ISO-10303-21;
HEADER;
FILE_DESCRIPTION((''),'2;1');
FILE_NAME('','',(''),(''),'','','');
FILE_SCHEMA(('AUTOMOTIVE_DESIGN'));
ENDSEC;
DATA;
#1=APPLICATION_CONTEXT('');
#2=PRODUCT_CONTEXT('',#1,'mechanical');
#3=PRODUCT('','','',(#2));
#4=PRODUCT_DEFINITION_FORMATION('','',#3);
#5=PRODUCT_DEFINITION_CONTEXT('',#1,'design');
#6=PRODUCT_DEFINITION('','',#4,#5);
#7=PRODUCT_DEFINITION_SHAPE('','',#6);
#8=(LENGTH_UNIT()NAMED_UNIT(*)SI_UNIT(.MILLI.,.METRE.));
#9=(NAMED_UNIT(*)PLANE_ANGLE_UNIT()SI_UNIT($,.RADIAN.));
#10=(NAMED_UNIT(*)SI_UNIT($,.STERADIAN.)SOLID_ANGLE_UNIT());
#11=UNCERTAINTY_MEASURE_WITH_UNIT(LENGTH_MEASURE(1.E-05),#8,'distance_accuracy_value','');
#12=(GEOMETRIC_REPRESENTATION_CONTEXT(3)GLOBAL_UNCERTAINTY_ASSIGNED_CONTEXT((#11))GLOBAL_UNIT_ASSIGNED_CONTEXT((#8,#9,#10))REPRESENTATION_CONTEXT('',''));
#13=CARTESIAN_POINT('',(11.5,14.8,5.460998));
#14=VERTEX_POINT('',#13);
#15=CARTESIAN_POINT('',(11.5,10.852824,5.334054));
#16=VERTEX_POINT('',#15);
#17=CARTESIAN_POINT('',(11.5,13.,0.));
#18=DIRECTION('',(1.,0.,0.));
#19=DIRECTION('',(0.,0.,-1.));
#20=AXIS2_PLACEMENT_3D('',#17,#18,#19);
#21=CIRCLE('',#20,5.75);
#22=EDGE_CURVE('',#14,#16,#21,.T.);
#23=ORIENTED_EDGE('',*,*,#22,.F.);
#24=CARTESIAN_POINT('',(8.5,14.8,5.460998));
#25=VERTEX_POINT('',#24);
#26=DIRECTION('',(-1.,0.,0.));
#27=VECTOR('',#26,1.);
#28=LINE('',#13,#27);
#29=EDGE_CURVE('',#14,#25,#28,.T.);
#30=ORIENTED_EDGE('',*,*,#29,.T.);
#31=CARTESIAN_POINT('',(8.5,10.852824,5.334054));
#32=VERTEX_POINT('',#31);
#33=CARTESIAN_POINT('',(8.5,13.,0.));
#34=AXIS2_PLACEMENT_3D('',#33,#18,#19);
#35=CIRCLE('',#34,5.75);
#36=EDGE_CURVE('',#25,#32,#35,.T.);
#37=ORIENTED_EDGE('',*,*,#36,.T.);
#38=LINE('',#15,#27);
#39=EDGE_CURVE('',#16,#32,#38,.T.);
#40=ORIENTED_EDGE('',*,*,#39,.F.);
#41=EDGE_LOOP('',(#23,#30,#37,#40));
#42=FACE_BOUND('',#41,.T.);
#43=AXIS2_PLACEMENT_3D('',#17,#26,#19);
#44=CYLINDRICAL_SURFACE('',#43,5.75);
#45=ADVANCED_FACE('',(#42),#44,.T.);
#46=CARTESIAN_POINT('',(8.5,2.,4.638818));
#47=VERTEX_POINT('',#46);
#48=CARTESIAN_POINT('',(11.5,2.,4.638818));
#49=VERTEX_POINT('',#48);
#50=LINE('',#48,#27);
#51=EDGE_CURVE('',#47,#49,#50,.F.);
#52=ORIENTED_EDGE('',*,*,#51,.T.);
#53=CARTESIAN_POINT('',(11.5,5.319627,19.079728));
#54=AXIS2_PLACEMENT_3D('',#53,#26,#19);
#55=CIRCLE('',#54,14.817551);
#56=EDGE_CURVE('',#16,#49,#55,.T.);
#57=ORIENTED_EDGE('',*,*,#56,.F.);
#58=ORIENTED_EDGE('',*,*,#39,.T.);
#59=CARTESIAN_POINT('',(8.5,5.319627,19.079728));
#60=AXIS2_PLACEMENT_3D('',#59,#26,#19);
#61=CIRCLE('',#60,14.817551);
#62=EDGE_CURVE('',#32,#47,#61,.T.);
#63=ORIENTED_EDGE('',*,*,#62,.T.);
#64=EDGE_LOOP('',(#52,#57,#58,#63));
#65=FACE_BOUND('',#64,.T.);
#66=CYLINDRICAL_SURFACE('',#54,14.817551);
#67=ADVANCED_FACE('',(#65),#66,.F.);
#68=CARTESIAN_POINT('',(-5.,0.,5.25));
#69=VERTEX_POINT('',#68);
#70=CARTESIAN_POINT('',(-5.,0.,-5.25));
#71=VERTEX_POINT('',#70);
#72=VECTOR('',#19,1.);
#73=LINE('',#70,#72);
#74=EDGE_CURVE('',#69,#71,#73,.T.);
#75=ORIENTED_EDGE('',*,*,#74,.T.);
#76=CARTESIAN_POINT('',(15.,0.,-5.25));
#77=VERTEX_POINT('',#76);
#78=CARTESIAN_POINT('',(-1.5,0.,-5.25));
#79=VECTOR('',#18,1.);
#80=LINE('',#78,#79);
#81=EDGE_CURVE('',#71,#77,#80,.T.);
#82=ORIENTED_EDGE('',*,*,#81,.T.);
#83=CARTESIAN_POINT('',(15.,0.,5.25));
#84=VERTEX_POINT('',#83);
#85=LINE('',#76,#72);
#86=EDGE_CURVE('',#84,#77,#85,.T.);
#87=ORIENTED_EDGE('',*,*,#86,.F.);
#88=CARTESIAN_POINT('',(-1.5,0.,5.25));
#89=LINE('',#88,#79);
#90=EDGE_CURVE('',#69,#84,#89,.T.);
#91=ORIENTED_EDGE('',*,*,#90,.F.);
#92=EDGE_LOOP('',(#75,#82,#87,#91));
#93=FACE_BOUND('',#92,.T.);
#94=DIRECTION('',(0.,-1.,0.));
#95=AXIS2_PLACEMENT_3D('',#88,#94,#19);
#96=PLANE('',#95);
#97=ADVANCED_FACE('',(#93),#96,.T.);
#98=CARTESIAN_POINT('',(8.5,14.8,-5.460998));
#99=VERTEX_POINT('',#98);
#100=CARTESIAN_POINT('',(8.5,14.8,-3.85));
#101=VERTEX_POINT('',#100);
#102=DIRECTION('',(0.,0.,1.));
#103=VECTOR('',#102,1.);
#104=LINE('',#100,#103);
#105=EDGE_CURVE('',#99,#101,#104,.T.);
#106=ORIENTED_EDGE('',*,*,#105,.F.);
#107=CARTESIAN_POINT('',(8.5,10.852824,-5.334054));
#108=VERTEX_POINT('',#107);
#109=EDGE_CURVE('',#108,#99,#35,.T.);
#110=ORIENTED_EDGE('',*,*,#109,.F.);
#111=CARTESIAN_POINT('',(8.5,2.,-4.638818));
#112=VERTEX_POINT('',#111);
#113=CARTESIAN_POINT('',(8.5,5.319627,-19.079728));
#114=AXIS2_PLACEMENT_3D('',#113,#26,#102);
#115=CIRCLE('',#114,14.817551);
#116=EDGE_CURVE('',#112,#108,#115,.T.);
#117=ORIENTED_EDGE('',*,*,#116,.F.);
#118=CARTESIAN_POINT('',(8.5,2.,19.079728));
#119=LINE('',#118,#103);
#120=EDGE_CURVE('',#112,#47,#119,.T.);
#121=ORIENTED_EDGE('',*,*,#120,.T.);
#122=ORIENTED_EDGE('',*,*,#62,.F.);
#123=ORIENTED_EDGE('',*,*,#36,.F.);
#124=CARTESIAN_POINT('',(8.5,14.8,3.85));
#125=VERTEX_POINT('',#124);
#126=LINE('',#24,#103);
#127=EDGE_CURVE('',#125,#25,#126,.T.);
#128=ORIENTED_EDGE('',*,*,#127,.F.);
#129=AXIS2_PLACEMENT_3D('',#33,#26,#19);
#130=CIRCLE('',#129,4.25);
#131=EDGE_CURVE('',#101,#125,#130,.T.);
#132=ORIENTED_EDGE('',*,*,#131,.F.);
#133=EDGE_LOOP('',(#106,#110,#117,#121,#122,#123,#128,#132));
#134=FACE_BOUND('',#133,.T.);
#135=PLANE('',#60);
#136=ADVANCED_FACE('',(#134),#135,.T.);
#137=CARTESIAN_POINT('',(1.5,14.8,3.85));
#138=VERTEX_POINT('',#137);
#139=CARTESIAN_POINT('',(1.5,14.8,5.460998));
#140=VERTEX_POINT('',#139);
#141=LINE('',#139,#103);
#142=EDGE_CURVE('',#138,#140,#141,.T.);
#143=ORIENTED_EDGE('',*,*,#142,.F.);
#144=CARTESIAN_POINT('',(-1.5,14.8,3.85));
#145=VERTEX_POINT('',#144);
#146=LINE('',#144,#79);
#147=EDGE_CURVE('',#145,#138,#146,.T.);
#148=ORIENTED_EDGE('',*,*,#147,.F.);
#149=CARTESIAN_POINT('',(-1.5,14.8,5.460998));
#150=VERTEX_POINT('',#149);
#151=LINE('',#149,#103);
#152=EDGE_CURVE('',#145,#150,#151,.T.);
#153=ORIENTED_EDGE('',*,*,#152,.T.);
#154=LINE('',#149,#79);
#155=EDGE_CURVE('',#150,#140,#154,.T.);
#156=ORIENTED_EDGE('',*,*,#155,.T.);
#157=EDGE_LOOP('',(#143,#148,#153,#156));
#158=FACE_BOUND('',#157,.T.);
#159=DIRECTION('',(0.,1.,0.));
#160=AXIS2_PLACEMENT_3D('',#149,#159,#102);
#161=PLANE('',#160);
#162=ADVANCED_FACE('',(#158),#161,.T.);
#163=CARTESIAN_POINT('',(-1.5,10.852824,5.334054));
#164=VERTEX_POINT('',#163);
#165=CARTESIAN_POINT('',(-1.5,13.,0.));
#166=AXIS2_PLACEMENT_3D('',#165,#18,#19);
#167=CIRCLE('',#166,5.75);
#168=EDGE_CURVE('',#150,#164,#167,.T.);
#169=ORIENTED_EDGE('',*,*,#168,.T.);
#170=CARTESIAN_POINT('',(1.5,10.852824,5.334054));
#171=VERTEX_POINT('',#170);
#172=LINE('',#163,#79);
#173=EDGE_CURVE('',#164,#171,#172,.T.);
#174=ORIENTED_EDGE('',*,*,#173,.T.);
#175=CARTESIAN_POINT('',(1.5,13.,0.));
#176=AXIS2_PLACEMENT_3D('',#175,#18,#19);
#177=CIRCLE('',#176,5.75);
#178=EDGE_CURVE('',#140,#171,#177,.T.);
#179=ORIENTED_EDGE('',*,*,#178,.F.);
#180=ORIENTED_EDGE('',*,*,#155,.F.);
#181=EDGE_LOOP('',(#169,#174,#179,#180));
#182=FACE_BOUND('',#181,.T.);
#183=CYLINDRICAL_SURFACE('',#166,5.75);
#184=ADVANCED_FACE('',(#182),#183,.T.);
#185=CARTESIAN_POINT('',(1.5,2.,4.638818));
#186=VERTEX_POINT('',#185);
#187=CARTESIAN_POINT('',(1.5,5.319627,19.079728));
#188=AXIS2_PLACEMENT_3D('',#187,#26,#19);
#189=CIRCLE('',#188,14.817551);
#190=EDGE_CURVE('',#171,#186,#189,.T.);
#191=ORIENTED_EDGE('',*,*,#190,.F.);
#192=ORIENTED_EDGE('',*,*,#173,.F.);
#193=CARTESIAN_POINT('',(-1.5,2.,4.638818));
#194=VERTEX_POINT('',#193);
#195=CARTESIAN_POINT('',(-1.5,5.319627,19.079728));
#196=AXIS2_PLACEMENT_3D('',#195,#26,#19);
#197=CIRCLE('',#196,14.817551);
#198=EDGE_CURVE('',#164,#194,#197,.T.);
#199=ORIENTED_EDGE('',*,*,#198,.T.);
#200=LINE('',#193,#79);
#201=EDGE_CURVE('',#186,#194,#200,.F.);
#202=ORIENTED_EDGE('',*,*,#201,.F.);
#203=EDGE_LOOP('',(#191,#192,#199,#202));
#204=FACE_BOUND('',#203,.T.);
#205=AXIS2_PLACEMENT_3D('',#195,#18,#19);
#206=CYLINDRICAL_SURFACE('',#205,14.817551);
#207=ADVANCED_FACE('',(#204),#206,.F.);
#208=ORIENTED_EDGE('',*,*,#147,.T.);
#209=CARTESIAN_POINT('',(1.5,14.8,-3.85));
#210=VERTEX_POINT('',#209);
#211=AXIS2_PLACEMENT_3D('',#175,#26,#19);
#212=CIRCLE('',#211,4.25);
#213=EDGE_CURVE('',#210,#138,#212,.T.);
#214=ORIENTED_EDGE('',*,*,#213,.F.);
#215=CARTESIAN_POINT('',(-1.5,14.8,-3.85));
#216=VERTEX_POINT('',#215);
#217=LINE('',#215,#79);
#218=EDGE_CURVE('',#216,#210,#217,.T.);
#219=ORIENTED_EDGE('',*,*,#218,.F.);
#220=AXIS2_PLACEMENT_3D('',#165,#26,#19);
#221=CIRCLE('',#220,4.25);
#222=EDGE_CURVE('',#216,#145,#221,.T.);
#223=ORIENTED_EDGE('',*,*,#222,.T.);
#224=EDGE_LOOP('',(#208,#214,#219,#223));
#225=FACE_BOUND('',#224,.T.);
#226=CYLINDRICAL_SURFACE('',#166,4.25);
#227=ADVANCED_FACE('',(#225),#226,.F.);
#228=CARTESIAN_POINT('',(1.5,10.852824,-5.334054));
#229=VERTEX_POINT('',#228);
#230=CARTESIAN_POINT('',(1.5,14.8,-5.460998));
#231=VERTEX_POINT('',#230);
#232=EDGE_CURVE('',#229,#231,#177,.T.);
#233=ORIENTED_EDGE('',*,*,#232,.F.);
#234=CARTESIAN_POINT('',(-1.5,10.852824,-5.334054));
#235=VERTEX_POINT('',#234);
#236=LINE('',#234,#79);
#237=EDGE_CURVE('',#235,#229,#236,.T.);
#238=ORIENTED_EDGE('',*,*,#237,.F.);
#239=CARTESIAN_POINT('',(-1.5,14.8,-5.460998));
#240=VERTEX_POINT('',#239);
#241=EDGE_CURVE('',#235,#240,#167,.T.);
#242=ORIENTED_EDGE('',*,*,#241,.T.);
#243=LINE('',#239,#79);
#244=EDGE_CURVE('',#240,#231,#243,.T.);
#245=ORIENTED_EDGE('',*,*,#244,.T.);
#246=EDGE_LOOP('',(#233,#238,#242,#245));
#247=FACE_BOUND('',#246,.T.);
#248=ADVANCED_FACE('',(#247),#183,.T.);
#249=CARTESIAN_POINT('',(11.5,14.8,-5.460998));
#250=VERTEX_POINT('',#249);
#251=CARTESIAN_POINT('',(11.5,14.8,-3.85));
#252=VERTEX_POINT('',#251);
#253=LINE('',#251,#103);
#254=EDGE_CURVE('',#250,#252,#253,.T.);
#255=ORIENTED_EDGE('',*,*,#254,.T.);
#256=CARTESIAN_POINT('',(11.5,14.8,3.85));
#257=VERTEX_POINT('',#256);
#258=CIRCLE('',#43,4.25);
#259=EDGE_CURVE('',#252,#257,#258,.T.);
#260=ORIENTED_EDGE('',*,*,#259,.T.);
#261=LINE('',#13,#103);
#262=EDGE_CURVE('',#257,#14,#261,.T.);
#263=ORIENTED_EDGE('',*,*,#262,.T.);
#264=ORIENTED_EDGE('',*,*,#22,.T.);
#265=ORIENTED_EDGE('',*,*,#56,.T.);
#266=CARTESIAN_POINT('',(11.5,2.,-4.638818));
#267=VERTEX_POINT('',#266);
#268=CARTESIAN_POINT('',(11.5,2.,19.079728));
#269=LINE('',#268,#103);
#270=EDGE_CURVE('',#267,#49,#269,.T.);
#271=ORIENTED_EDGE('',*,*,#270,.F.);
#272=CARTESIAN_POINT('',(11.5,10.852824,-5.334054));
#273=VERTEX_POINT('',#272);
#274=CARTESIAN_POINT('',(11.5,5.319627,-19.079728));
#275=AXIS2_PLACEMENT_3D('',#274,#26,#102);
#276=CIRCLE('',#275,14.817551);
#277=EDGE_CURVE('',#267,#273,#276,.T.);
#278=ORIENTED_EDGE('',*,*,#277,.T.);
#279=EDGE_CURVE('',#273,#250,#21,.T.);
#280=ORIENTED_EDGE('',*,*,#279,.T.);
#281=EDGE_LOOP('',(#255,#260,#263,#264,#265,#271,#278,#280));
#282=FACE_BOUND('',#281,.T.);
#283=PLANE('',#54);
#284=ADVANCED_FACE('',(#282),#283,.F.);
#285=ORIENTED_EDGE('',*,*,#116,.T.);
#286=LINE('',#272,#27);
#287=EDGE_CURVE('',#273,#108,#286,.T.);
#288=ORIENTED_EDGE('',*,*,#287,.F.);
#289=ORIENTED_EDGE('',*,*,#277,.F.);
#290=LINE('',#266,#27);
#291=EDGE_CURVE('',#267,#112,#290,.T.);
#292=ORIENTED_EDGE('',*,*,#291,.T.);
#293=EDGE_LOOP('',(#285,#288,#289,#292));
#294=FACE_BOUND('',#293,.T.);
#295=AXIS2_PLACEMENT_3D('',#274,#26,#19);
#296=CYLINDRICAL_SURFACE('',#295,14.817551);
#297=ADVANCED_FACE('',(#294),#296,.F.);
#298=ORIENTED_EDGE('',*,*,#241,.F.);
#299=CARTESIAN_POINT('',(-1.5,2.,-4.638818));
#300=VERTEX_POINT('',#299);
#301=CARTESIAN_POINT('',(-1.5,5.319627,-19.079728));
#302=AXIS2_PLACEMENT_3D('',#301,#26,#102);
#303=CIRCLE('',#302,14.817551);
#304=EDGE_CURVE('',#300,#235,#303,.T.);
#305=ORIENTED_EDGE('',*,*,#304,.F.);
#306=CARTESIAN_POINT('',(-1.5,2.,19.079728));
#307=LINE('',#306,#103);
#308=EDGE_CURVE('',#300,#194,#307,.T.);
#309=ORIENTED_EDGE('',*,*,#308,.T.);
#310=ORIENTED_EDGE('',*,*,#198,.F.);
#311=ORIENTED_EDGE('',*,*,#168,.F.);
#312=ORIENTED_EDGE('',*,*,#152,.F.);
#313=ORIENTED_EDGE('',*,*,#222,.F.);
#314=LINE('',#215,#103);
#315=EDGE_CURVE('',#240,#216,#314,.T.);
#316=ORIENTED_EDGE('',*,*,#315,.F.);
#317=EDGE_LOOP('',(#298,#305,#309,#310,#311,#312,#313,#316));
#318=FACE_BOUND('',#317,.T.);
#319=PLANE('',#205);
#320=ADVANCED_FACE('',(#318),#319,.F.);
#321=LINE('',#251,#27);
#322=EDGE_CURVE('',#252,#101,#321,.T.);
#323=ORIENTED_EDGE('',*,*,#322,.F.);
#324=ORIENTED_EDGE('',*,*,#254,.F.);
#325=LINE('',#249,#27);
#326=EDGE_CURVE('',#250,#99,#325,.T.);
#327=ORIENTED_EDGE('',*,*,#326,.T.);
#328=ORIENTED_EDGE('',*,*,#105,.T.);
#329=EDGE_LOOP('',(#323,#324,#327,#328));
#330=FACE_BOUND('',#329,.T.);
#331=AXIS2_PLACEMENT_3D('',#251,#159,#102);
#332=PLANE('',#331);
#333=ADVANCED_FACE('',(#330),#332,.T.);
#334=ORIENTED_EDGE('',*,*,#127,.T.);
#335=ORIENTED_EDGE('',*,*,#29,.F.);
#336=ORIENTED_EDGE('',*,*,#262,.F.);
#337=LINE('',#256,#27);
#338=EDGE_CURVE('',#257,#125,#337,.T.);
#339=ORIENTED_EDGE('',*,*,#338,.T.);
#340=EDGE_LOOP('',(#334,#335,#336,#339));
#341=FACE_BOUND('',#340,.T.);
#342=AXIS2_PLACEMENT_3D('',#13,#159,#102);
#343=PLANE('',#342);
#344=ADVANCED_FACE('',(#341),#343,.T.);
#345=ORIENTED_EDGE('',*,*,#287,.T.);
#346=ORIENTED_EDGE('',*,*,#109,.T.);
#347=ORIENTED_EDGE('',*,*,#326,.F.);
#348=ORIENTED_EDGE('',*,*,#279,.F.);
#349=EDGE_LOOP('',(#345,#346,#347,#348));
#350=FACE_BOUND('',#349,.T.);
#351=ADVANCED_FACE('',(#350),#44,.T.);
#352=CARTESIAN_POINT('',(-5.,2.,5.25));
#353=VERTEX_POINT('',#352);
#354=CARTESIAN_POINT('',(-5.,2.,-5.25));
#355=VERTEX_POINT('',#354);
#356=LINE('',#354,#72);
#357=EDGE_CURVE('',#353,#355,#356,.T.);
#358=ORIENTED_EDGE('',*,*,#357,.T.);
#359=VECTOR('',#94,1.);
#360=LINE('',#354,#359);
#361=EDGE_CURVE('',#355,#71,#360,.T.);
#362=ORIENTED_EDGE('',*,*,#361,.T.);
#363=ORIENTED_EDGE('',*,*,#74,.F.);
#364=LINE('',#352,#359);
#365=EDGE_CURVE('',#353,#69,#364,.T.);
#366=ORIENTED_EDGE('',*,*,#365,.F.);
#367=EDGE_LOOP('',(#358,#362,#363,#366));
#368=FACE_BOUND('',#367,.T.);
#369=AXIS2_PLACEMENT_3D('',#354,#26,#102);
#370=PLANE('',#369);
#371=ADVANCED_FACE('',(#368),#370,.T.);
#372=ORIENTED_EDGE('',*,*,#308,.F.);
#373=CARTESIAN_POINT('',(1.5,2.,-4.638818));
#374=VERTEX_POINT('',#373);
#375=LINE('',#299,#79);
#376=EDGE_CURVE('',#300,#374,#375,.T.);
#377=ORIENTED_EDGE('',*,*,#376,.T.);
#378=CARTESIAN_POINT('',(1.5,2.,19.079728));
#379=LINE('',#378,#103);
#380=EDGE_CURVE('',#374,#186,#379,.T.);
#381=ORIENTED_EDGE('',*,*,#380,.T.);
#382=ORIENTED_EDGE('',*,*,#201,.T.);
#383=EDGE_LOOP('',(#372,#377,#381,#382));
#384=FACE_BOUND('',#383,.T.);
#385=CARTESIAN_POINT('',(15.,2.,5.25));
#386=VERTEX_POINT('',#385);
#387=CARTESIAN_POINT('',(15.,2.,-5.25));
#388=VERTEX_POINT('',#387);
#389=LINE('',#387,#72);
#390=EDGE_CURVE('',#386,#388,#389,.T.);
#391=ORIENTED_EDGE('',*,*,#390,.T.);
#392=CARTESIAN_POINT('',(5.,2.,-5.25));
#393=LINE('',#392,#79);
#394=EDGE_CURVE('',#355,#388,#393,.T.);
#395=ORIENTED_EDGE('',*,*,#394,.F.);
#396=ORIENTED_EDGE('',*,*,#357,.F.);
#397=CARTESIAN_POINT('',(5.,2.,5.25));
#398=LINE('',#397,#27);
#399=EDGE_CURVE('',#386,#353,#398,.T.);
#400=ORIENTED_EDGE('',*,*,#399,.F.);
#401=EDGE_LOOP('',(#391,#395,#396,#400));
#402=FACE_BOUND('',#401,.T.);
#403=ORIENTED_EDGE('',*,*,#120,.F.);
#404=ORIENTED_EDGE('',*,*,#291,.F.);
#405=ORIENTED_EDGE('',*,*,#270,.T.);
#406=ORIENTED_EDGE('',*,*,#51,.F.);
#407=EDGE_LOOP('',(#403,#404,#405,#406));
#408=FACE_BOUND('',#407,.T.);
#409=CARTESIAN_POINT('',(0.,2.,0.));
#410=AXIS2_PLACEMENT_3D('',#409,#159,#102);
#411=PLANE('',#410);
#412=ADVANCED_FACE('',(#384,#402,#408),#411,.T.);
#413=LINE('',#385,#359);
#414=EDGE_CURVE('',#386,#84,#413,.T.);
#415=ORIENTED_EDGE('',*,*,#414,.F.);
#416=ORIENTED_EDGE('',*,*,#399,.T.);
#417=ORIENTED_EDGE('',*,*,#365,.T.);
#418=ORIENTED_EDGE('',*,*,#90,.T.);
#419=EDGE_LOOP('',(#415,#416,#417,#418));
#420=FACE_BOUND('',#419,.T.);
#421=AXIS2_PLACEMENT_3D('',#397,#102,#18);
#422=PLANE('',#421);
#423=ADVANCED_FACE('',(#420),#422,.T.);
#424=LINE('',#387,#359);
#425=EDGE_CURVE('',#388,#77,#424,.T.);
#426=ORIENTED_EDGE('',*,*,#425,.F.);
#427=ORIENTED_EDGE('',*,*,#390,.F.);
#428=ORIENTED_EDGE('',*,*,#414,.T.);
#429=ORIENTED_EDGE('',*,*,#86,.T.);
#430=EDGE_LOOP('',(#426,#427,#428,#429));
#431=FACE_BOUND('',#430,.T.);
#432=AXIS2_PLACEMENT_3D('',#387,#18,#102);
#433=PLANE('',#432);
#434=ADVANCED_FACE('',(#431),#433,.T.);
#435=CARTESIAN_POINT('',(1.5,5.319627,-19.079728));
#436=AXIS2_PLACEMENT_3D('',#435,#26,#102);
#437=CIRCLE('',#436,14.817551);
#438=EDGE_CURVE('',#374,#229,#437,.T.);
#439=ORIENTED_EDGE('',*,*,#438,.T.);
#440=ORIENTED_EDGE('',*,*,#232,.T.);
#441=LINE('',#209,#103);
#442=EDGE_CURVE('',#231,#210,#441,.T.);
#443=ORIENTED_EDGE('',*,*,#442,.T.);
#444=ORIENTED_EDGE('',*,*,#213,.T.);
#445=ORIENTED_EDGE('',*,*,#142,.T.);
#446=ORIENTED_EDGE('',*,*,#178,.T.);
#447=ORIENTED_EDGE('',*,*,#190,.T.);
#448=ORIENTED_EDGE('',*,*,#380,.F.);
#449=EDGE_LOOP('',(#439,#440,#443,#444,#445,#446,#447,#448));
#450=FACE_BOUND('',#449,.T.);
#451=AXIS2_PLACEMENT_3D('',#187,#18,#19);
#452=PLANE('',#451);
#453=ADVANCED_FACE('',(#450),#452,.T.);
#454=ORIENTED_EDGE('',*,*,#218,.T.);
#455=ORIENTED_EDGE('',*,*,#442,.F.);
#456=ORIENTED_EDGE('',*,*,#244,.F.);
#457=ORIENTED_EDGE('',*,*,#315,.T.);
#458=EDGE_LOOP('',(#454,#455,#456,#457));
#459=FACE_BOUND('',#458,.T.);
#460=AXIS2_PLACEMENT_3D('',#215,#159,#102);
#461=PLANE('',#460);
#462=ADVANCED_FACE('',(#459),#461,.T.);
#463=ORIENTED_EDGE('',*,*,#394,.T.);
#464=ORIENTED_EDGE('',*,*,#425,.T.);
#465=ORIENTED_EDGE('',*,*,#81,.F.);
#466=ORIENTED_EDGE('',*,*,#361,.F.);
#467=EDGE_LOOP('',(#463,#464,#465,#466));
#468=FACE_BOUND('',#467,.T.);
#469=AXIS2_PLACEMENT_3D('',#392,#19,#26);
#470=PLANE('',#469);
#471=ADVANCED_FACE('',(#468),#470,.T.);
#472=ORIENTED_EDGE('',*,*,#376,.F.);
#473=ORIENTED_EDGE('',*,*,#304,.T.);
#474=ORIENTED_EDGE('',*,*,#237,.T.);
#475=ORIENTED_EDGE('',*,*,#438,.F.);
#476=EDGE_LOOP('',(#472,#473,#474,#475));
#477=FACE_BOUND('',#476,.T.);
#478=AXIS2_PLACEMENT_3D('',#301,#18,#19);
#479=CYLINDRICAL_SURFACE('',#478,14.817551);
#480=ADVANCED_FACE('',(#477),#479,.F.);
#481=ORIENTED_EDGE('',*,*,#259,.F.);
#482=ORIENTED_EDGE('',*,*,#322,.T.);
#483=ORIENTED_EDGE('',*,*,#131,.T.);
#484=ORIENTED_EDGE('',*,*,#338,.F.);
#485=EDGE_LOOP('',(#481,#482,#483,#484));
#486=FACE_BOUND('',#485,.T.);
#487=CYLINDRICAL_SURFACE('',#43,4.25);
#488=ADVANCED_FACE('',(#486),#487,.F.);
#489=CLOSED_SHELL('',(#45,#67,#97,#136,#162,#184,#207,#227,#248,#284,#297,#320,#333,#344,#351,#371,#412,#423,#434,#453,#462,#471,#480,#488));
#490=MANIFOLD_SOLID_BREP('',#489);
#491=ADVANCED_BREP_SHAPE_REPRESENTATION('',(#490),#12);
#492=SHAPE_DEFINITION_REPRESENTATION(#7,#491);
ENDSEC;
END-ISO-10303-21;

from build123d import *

# Parameters (mm, degrees)
BOSS_EXTRUDE1_DEPTH      = 1.5
BOSS_EXTRUDE1_DEPTH_BACK = 1.5
SKETCH3_W                = 10
SKETCH3_H                = 10.5
BOSS_EXTRUDE2_DEPTH      = 2


with BuildPart() as part:
    # Sketch1 → Boss-Extrude1 (new, two sides: drawn at the far end of the back side and taken through both)
    with BuildSketch(Plane(origin=(0, 0, 0), x_dir=(0, 0, -1), z_dir=(1, 0, 0)).offset(-BOSS_EXTRUDE1_DEPTH_BACK)):
        with BuildLine():
            Line((-5.460998077, 14.8), (-3.85, 14.8))
            ThreePointArc((-3.85, 14.8), (0, 8.75), (3.85, 14.8))
            Line((3.85, 14.8), (5.460998077, 14.8))
            ThreePointArc((5.460998077, 14.8), (5.747028676, 12.815171978), (5.334054451, 10.852824386))
            ThreePointArc((5.334054451, 10.852824386), (4.262621587, 5.434384876), (5.25, 0))
            Line((5.25, 0), (-5.25, 0))
            ThreePointArc((-5.25, 0), (-4.262621587, 5.434384876), (-5.334054451, 10.852824386))
            ThreePointArc((-5.334054451, 10.852824386), (-5.747028676, 12.815171978), (-5.460998077, 14.8))
        make_face()
    extrude(amount=BOSS_EXTRUDE1_DEPTH + BOSS_EXTRUDE1_DEPTH_BACK)

    # Sketch3 → Boss-Extrude2 (add)
    with BuildSketch(Plane.XZ):
        Rectangle(SKETCH3_W, SKETCH3_H)
    extrude(amount=-BOSS_EXTRUDE2_DEPTH)

    # Mirror1: part across plane


with BuildPart() as part_1:
    add(part.part)
    add(part.part.mirror(Plane(origin=(5, 2, -5.25), x_dir=(0, 0, 1), z_dir=(1, 0, 0))))


solid = part_1.part
